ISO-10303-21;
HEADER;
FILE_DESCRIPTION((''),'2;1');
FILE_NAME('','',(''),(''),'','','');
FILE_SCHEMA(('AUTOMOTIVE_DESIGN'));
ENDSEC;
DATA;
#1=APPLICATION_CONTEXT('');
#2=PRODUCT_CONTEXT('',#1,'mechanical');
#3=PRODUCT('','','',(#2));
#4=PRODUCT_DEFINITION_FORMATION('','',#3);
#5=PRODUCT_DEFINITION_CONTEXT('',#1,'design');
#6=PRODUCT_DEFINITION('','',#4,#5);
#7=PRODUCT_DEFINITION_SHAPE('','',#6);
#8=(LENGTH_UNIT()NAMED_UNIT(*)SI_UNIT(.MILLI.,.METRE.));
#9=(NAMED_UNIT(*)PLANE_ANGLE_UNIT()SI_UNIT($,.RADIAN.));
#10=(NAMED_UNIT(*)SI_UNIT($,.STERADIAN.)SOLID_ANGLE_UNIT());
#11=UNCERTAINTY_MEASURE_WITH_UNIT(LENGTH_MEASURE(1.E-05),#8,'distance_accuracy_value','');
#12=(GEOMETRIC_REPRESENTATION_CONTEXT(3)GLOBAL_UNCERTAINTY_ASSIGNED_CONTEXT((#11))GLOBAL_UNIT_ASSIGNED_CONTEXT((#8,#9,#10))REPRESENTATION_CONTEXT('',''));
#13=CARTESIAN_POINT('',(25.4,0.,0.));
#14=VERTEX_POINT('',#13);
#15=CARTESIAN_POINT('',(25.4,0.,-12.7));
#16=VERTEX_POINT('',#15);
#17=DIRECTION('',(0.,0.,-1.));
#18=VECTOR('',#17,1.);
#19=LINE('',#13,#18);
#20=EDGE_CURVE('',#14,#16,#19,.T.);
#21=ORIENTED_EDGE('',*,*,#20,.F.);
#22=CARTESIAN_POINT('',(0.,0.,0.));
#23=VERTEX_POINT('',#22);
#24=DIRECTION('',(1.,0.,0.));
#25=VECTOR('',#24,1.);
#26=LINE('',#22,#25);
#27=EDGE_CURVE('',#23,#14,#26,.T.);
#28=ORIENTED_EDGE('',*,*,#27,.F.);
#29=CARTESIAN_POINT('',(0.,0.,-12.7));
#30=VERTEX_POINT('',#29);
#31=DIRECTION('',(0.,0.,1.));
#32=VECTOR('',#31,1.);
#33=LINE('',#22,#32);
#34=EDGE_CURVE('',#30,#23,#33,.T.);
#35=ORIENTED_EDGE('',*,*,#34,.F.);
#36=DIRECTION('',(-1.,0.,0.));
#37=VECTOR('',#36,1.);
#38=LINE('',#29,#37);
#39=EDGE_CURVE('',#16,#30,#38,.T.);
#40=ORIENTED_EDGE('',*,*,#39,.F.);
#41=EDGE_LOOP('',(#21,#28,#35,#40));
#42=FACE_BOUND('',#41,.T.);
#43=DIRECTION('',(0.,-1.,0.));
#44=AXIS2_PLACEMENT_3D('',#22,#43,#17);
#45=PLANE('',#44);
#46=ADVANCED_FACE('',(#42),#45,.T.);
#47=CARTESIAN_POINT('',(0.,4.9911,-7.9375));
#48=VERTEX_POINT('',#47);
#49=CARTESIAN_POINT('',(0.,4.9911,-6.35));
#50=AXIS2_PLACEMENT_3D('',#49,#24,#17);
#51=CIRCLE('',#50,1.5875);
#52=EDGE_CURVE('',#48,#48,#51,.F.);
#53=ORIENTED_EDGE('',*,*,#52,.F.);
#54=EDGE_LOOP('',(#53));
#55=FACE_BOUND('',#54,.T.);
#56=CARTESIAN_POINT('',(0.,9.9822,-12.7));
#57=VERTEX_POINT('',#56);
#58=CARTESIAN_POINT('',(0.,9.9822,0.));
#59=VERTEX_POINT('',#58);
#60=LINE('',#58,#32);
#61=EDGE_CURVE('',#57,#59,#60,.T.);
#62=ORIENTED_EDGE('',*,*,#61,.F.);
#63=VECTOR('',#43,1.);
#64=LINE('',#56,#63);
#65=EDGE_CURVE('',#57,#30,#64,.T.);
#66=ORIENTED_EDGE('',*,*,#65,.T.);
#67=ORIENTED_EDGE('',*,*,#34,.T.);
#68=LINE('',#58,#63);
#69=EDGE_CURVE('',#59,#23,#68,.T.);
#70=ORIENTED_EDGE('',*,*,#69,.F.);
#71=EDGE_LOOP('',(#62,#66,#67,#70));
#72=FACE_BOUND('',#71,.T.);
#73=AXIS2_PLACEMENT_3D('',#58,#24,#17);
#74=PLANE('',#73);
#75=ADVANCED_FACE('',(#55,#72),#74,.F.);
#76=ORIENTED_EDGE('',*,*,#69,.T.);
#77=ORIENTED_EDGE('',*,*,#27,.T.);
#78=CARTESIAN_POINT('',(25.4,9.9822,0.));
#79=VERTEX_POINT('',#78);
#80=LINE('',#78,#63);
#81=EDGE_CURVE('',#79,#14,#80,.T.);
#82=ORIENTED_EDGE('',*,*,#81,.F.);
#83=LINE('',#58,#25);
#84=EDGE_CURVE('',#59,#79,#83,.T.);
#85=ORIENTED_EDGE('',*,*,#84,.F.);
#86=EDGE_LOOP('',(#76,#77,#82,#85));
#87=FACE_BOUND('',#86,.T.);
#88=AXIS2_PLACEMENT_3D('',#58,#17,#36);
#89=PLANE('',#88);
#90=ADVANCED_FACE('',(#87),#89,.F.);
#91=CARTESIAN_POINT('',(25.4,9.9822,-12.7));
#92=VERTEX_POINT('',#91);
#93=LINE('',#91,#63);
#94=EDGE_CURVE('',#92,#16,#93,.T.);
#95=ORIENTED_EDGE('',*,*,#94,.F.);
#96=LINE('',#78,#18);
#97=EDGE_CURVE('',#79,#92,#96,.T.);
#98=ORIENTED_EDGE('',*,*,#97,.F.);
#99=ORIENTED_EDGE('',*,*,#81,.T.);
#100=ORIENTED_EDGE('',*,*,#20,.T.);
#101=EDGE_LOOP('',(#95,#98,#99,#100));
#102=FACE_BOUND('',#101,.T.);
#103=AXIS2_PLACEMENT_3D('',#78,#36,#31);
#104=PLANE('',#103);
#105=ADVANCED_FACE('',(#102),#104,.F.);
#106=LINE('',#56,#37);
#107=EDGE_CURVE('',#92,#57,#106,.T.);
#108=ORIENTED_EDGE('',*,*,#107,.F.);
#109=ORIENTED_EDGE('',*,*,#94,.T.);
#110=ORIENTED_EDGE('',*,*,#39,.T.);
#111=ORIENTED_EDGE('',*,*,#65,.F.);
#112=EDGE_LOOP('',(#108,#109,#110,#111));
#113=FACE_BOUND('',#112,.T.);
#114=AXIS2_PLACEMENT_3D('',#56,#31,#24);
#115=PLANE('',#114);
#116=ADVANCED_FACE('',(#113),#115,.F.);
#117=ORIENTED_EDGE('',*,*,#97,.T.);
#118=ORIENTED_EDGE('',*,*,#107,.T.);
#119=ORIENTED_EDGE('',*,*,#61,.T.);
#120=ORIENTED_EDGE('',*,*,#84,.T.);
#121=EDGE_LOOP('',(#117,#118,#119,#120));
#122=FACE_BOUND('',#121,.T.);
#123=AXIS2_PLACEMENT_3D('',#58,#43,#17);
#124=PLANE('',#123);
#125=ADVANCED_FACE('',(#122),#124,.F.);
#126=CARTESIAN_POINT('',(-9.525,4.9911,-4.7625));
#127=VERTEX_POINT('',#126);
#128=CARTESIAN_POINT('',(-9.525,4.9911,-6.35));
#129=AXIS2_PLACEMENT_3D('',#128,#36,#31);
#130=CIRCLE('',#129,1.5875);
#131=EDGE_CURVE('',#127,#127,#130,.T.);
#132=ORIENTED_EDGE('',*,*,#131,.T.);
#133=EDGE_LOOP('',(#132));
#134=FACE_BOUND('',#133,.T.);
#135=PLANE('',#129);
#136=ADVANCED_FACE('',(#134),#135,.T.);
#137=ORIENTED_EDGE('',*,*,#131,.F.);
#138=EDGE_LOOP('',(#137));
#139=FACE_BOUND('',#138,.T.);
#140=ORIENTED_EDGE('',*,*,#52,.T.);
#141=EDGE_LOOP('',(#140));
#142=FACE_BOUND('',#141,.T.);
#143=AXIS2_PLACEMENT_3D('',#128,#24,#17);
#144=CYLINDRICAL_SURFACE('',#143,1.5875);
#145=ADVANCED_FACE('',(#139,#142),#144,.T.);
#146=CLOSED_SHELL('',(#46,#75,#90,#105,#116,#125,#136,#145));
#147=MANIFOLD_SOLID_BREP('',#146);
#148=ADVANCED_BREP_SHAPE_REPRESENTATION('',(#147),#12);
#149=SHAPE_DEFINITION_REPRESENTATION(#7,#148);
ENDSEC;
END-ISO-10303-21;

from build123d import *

# Parameters (mm, degrees)
SKETCH1_W           = 25.4
SKETCH1_H           = 12.7
BOSS_EXTRUDE1_DEPTH = 9.9822
SKETCH3_R           = 1.5875
BOSS_EXTRUDE2_DEPTH = 9.525


with BuildPart() as part:
    # Sketch1 → Boss-Extrude1 (new body)
    with BuildSketch(Plane(origin=(0, 0, 0), x_dir=(1, 0, 0), z_dir=(0, 1, 0))):
        with Locations((12.7, 6.35)):
            Rectangle(SKETCH1_W, SKETCH1_H)
    extrude(amount=BOSS_EXTRUDE1_DEPTH)

    # Sketch3 → Boss-Extrude2 (add)
    with BuildSketch(Plane.ZY):
        with Locations((-6.35, 4.9911)):
            Circle(SKETCH3_R)
    extrude(amount=BOSS_EXTRUDE2_DEPTH)


solid = part.part
